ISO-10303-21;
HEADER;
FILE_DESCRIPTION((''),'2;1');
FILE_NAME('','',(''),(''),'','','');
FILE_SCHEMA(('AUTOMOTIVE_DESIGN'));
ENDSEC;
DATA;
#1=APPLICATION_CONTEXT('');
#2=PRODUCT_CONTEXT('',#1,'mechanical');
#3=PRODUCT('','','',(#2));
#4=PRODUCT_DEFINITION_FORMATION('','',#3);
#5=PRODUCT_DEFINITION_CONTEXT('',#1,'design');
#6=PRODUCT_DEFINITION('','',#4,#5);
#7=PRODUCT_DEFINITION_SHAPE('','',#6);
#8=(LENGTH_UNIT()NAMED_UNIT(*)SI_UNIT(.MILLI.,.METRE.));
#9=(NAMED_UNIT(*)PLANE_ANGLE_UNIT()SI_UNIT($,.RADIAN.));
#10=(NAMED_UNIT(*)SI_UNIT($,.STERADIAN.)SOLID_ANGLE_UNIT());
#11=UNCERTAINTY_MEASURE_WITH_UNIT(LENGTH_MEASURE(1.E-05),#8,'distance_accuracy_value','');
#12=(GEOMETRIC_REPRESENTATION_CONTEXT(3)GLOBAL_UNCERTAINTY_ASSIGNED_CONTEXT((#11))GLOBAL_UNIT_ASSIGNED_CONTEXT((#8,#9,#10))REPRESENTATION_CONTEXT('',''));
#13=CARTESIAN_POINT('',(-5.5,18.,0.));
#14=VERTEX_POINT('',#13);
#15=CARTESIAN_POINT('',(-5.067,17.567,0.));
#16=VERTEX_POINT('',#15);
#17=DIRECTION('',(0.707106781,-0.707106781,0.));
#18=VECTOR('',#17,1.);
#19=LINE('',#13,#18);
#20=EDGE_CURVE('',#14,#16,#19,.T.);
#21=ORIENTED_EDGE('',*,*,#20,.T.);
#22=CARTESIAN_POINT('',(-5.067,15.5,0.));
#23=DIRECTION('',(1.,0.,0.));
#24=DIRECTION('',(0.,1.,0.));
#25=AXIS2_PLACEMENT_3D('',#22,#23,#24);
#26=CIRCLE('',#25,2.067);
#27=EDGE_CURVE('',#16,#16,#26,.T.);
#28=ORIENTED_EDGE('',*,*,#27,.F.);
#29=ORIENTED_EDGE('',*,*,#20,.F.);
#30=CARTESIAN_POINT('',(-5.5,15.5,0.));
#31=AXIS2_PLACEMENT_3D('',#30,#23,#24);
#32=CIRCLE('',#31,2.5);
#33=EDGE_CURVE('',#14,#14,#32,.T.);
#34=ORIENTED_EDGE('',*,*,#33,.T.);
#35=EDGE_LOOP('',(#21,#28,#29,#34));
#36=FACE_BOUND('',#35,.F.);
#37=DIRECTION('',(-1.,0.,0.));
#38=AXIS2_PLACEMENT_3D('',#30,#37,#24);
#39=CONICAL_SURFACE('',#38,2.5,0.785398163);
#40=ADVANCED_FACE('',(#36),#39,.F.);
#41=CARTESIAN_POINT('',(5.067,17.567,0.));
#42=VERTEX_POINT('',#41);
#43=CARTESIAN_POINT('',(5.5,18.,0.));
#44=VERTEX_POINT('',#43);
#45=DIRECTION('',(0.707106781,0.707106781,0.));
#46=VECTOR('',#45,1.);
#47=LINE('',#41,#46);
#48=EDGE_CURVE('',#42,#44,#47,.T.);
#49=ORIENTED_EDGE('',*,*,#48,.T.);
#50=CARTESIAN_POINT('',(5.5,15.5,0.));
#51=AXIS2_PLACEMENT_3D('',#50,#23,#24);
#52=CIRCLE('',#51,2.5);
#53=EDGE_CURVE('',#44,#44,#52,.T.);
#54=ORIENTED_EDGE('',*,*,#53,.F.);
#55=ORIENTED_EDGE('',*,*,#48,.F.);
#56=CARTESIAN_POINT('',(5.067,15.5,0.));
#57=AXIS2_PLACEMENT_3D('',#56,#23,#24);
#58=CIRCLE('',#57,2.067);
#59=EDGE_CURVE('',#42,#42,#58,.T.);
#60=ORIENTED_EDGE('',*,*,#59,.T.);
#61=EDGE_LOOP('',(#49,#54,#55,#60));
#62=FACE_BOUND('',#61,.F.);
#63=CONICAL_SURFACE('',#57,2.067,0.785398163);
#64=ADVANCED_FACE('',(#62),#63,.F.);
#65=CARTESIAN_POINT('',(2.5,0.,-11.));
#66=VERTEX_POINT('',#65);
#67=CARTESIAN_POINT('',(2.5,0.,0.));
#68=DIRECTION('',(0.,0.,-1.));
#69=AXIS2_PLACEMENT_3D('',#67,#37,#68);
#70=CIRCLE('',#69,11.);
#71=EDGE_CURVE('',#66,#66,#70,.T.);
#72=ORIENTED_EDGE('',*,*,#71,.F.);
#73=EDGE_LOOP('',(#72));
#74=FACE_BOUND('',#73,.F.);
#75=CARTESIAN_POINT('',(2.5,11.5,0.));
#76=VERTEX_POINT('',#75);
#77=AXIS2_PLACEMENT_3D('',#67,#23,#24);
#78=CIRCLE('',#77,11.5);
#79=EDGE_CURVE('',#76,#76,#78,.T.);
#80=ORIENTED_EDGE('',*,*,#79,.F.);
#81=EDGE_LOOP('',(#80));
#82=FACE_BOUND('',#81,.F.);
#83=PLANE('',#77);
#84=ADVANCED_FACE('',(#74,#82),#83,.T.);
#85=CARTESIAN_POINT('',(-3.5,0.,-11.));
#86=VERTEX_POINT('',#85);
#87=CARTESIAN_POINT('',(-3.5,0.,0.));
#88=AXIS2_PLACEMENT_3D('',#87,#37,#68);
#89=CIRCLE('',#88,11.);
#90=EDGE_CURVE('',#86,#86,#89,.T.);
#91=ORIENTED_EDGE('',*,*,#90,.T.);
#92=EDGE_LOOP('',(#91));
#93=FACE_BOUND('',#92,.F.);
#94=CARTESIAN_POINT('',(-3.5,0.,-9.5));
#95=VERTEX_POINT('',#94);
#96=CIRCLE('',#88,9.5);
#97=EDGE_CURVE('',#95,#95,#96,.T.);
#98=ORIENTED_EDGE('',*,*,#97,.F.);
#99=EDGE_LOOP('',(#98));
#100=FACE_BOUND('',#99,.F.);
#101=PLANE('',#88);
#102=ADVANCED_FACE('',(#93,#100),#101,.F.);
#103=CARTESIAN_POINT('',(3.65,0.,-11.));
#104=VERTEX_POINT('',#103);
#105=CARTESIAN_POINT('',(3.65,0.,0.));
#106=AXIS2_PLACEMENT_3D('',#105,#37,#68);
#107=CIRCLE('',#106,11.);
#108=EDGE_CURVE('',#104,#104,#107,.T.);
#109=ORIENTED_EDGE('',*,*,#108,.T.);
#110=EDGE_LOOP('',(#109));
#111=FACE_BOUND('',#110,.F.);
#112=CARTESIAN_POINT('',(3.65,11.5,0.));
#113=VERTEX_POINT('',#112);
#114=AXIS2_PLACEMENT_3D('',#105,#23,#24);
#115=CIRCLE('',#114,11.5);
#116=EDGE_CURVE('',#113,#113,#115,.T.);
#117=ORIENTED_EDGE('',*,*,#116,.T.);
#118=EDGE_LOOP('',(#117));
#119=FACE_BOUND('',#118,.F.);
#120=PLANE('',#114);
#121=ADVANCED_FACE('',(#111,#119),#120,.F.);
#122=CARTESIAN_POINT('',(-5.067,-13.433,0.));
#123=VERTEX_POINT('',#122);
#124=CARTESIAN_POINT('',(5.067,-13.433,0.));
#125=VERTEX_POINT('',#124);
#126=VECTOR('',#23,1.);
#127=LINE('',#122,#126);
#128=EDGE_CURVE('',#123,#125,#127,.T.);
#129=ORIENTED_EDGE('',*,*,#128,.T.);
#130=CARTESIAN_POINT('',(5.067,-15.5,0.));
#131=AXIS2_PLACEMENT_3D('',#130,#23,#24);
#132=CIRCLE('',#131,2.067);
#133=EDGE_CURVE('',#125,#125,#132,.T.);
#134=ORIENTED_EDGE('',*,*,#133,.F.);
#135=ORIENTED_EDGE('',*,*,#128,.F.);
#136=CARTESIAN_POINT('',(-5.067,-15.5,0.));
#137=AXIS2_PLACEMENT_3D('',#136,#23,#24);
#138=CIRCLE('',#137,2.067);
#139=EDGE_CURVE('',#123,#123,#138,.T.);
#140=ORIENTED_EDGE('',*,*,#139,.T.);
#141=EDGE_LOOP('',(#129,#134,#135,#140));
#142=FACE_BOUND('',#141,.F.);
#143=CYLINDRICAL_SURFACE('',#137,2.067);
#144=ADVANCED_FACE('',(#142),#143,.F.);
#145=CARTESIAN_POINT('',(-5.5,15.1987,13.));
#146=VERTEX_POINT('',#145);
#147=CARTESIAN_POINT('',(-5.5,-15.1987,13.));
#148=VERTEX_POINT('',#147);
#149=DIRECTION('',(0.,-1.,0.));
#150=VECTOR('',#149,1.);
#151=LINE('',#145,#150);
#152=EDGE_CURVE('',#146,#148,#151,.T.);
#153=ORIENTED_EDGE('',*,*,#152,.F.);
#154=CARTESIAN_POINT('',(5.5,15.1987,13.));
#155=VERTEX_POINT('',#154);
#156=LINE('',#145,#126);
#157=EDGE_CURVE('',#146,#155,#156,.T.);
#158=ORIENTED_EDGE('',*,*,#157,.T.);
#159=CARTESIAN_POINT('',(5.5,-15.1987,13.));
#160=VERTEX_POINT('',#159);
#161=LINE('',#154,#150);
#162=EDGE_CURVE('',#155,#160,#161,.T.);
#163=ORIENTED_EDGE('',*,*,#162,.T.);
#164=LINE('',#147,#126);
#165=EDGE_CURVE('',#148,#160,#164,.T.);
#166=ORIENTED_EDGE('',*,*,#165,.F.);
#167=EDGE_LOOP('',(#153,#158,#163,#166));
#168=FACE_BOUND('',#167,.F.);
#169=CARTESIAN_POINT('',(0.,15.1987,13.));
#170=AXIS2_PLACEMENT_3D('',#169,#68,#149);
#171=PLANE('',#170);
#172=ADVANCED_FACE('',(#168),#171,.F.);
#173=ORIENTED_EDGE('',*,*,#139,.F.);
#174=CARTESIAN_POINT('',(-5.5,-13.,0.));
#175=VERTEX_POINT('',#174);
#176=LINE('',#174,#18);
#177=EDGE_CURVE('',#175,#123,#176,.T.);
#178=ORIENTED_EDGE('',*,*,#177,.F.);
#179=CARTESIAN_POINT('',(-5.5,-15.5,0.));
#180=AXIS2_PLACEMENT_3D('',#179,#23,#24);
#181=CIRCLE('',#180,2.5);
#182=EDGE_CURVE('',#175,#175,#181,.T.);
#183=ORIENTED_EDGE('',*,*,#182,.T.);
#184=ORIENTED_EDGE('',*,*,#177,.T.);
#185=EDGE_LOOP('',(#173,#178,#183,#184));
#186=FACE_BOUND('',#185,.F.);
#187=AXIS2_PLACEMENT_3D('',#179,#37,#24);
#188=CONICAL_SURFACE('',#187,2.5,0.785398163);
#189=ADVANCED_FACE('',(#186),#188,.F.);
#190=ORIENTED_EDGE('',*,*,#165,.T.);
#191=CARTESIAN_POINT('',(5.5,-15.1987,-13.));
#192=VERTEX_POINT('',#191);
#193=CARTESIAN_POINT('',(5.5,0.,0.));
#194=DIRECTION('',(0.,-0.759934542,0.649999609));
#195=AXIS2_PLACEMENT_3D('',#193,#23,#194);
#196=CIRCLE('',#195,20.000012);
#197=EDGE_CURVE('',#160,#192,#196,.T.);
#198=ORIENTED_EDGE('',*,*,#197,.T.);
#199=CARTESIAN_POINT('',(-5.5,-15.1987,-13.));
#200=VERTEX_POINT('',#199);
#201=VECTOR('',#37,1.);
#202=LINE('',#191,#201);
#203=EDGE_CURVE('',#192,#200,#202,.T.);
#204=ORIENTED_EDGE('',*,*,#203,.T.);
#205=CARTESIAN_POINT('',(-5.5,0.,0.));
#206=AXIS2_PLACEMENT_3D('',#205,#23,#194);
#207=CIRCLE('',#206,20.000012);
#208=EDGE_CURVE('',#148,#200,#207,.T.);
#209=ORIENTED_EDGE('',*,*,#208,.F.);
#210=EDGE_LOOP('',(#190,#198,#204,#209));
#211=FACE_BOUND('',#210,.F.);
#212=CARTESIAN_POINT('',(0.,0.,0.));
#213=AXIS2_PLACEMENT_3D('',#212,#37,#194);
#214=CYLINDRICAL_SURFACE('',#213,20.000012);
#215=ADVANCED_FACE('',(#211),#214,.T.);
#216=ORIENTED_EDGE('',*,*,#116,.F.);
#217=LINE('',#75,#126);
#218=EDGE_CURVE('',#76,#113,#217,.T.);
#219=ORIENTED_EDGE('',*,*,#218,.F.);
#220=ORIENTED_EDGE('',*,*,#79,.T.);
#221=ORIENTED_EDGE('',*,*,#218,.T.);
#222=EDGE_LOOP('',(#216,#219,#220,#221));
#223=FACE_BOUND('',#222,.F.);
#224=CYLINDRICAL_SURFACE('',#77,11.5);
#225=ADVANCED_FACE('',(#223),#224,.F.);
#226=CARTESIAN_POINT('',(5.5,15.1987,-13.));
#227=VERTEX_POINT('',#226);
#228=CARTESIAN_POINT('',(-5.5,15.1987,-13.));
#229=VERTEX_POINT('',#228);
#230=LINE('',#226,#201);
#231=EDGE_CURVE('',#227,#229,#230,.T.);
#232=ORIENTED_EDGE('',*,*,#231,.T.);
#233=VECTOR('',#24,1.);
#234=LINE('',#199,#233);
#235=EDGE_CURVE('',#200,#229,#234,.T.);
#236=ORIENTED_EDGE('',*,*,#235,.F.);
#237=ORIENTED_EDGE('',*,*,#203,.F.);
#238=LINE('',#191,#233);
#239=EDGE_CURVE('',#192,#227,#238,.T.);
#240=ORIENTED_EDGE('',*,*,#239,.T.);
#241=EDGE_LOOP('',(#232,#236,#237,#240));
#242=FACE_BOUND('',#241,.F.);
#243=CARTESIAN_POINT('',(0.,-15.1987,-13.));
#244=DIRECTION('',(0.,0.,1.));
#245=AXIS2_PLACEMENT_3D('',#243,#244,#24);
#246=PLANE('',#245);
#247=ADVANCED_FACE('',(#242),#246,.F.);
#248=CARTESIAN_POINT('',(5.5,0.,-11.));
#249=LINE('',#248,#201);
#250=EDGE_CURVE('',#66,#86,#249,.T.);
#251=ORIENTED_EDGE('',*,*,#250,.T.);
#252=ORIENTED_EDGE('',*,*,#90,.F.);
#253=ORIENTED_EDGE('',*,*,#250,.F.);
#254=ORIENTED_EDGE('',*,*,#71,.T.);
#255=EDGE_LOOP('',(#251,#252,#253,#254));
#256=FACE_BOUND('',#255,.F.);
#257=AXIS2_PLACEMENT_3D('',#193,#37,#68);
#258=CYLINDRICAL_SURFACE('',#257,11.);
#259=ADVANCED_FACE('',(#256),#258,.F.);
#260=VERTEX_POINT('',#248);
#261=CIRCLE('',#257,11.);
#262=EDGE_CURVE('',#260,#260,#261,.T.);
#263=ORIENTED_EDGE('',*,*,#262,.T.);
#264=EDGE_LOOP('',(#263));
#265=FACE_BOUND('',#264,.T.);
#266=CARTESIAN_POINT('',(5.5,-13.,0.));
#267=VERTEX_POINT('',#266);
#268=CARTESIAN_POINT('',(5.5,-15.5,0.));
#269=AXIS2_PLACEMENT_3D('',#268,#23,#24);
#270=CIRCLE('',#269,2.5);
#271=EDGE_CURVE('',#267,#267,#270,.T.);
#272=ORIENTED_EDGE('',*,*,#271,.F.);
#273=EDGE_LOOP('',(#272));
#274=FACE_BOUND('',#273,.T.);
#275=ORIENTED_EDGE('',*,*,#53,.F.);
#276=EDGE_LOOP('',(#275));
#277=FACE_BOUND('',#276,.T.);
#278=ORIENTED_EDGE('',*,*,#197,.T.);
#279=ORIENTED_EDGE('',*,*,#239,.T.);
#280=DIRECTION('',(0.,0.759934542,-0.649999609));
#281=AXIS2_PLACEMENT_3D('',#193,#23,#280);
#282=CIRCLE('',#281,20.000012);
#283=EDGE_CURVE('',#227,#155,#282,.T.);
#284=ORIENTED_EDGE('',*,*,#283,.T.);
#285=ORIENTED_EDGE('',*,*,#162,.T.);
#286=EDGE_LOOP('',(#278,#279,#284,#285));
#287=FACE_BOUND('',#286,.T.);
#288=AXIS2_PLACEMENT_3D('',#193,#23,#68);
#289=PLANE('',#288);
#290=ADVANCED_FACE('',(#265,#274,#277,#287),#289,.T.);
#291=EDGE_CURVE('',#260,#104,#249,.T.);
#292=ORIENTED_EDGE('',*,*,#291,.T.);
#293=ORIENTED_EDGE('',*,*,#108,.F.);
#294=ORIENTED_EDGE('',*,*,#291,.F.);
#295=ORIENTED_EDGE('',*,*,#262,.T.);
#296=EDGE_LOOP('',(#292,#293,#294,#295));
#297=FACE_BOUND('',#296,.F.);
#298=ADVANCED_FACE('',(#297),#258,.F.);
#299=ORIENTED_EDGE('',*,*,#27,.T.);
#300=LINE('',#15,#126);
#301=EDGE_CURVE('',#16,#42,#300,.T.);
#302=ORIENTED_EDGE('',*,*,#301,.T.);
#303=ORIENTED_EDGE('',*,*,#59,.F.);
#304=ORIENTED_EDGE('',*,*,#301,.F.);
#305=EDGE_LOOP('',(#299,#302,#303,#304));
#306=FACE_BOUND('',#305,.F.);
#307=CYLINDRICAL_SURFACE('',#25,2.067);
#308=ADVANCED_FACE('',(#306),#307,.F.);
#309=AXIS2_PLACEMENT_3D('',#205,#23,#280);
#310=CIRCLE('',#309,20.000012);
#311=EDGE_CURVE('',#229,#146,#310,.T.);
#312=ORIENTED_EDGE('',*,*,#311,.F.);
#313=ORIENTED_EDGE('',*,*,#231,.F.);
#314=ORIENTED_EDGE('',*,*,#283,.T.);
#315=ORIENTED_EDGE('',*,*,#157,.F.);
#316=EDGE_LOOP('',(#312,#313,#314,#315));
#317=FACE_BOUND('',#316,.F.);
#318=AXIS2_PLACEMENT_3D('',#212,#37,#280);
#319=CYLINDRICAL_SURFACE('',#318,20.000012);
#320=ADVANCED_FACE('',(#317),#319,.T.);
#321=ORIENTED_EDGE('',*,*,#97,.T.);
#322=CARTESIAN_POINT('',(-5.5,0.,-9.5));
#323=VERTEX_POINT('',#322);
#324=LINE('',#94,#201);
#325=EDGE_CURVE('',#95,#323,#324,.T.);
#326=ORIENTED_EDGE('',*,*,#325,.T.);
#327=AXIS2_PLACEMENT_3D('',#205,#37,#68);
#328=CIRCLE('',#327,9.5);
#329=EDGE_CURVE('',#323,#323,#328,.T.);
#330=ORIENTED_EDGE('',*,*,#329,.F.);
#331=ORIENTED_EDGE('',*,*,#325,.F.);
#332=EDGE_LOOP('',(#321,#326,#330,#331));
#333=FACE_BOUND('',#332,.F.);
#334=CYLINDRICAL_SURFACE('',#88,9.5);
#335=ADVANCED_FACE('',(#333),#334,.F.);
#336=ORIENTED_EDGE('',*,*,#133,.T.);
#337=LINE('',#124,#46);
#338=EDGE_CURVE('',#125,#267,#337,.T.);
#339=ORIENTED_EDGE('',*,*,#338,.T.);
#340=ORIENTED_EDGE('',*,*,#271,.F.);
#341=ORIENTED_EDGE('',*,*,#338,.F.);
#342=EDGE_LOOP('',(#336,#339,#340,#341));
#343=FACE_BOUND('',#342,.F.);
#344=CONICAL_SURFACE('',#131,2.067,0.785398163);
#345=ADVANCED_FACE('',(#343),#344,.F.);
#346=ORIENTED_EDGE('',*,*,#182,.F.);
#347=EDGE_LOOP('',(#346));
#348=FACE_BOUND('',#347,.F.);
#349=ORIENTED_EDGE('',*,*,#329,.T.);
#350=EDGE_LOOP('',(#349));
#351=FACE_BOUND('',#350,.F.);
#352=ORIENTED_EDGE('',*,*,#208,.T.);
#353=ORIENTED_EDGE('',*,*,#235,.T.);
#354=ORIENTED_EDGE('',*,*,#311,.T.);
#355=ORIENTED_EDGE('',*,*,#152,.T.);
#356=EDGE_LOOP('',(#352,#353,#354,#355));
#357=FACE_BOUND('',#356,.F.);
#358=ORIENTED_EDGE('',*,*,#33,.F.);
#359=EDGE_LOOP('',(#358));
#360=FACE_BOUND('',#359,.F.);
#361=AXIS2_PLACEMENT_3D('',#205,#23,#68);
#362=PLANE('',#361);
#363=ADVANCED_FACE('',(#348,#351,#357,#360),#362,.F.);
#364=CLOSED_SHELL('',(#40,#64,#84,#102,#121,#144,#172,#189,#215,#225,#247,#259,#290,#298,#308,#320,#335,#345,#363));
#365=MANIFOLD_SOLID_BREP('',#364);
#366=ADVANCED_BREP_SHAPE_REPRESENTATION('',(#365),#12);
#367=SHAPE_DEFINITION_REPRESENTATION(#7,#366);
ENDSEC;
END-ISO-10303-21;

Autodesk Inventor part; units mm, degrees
sketch "Sketch_1" plane through (0, 0, 0) normal (1, 0, 0) x (0, 0, -1)
  line L0 (-13, 15.1987) -> (-13, -15.1987)
  arc A0 (-13, -15.1987) -> (13, -15.1987) centre (0, 0) ccw
  line L1 (13, -15.1987) -> (13, 15.1987)
  arc A1 (13, 15.1987) -> (-13, 15.1987) centre (0, 0) ccw
extrude "Extrusion1" add sketch "Sketch_1" along normal mid plane 11
sketch "Sketch2" plane through (5.5, 0, 0) normal (1, 0, 0) x (0, 0, -1)
  point P0 (0, 0)
hole "Hole1" at (5.5, 0, 0) direction (-1, 0, 0) diameter 19 depth 11 counterbore diameter 22 counterbore depth 9
sketch "Sketch_9" plane through (0, 0, 0) normal (0, 0, 1) x (1, 0, 0)
  line L0 (3.65, 0) -> (2.5, 0)
  line L1 (2.5, 0) -> (2.5, 11.5)
  line L2 (2.5, 11.5) -> (3.65, 11.5)
  line L3 (3.65, 11.5) -> (3.65, 0)
  line L4 (3.65, 0) -> (2.5, 0)
revolve "Revolution1" cut sketch "Sketch_9" angle 360 about axis through (3.65, 0, 0) along (1, 0, 0)
sketch "Sketch_8" plane through (0, 0, 0) normal (0, 0, 1) x (1, 0, 0)
  line L0 (5.5, -15.5) -> (-5.5, -15.5)
  line L1 (-5.5, -15.5) -> (-5.5, -13)
  line L2 (-5.5, -13) -> (-5.067, -13.433)
  line L3 (-5.067, -13.433) -> (5.067, -13.433)
  line L4 (5.067, -13.433) -> (5.5, -13)
  line L5 (5.5, -13) -> (5.5, -15.5)
  line L6 (5.5, -15.5) -> (-5.5, -15.5)
revolve "Revolution2" cut sketch "Sketch_8" angle 360 about axis through (5.5, -15.5, 0) along (1, 0, 0)
thread "Thread1" size "M5x0.8" class "6H" standard "ISO Metric profile" full length
sketch "Sketch_2" plane through (0, 0, 0) normal (0, 0, 1) x (1, 0, 0)
  line L0 (5.5, 15.5) -> (-5.5, 15.5)
  line L1 (-5.5, 15.5) -> (-5.5, 18)
  line L2 (-5.5, 18) -> (-5.067, 17.567)
  line L3 (-5.067, 17.567) -> (5.067, 17.567)
  line L4 (5.067, 17.567) -> (5.5, 18)
  line L5 (5.5, 18) -> (5.5, 15.5)
  line L6 (5.5, 15.5) -> (-5.5, 15.5)
revolve "Revolution3" cut sketch "Sketch_2" angle 360 about axis through (5.5, 15.5, 0) along (1, 0, 0)
thread "Thread2" size "M5x0.8" class "6H" standard "ISO Metric profile" full length
ref_plane "HOUSING_TO_DUMMY_XY" through (0, 0, 0) normal (0, 0, 1) x (1, 0, 0)
ref_plane "HOUSING_TO_DUMMY_YZ" through (0, 0, 0) normal (1, 0, 0) x (0, 1, 0)
ref_plane "HOUSING_TO_DUMMY_ZX" through (0, 0, 0) normal (0, 1, 0) x (0, 0, 1)
ref_plane "bgcab_to_rring_XY" through (2.5, 0, 0) normal (-1, 0, 0) x (0, 0, -1)
ref_plane "bgcab_to_rring_YZ" through (2.5, 0, 0) normal (0, 0, -1) x (0, -1, 0)
ref_plane "bgcab_to_rring_ZX" through (2.5, 0, 0) normal (0, -1, 0) x (-1, 0, 0)
ref_plane "to_bearings_XY" through (-3.5, 0, 0) normal (-1, 0, 0) x (0, 0, -1)
ref_plane "to_bearings_YZ" through (-3.5, 0, 0) normal (0, 0, -1) x (0, -1, 0)
ref_plane "to_bearings_ZX" through (-3.5, 0, 0) normal (0, -1, 0) x (-1, 0, 0)
properties part number "BGTAB6900VV_h"
